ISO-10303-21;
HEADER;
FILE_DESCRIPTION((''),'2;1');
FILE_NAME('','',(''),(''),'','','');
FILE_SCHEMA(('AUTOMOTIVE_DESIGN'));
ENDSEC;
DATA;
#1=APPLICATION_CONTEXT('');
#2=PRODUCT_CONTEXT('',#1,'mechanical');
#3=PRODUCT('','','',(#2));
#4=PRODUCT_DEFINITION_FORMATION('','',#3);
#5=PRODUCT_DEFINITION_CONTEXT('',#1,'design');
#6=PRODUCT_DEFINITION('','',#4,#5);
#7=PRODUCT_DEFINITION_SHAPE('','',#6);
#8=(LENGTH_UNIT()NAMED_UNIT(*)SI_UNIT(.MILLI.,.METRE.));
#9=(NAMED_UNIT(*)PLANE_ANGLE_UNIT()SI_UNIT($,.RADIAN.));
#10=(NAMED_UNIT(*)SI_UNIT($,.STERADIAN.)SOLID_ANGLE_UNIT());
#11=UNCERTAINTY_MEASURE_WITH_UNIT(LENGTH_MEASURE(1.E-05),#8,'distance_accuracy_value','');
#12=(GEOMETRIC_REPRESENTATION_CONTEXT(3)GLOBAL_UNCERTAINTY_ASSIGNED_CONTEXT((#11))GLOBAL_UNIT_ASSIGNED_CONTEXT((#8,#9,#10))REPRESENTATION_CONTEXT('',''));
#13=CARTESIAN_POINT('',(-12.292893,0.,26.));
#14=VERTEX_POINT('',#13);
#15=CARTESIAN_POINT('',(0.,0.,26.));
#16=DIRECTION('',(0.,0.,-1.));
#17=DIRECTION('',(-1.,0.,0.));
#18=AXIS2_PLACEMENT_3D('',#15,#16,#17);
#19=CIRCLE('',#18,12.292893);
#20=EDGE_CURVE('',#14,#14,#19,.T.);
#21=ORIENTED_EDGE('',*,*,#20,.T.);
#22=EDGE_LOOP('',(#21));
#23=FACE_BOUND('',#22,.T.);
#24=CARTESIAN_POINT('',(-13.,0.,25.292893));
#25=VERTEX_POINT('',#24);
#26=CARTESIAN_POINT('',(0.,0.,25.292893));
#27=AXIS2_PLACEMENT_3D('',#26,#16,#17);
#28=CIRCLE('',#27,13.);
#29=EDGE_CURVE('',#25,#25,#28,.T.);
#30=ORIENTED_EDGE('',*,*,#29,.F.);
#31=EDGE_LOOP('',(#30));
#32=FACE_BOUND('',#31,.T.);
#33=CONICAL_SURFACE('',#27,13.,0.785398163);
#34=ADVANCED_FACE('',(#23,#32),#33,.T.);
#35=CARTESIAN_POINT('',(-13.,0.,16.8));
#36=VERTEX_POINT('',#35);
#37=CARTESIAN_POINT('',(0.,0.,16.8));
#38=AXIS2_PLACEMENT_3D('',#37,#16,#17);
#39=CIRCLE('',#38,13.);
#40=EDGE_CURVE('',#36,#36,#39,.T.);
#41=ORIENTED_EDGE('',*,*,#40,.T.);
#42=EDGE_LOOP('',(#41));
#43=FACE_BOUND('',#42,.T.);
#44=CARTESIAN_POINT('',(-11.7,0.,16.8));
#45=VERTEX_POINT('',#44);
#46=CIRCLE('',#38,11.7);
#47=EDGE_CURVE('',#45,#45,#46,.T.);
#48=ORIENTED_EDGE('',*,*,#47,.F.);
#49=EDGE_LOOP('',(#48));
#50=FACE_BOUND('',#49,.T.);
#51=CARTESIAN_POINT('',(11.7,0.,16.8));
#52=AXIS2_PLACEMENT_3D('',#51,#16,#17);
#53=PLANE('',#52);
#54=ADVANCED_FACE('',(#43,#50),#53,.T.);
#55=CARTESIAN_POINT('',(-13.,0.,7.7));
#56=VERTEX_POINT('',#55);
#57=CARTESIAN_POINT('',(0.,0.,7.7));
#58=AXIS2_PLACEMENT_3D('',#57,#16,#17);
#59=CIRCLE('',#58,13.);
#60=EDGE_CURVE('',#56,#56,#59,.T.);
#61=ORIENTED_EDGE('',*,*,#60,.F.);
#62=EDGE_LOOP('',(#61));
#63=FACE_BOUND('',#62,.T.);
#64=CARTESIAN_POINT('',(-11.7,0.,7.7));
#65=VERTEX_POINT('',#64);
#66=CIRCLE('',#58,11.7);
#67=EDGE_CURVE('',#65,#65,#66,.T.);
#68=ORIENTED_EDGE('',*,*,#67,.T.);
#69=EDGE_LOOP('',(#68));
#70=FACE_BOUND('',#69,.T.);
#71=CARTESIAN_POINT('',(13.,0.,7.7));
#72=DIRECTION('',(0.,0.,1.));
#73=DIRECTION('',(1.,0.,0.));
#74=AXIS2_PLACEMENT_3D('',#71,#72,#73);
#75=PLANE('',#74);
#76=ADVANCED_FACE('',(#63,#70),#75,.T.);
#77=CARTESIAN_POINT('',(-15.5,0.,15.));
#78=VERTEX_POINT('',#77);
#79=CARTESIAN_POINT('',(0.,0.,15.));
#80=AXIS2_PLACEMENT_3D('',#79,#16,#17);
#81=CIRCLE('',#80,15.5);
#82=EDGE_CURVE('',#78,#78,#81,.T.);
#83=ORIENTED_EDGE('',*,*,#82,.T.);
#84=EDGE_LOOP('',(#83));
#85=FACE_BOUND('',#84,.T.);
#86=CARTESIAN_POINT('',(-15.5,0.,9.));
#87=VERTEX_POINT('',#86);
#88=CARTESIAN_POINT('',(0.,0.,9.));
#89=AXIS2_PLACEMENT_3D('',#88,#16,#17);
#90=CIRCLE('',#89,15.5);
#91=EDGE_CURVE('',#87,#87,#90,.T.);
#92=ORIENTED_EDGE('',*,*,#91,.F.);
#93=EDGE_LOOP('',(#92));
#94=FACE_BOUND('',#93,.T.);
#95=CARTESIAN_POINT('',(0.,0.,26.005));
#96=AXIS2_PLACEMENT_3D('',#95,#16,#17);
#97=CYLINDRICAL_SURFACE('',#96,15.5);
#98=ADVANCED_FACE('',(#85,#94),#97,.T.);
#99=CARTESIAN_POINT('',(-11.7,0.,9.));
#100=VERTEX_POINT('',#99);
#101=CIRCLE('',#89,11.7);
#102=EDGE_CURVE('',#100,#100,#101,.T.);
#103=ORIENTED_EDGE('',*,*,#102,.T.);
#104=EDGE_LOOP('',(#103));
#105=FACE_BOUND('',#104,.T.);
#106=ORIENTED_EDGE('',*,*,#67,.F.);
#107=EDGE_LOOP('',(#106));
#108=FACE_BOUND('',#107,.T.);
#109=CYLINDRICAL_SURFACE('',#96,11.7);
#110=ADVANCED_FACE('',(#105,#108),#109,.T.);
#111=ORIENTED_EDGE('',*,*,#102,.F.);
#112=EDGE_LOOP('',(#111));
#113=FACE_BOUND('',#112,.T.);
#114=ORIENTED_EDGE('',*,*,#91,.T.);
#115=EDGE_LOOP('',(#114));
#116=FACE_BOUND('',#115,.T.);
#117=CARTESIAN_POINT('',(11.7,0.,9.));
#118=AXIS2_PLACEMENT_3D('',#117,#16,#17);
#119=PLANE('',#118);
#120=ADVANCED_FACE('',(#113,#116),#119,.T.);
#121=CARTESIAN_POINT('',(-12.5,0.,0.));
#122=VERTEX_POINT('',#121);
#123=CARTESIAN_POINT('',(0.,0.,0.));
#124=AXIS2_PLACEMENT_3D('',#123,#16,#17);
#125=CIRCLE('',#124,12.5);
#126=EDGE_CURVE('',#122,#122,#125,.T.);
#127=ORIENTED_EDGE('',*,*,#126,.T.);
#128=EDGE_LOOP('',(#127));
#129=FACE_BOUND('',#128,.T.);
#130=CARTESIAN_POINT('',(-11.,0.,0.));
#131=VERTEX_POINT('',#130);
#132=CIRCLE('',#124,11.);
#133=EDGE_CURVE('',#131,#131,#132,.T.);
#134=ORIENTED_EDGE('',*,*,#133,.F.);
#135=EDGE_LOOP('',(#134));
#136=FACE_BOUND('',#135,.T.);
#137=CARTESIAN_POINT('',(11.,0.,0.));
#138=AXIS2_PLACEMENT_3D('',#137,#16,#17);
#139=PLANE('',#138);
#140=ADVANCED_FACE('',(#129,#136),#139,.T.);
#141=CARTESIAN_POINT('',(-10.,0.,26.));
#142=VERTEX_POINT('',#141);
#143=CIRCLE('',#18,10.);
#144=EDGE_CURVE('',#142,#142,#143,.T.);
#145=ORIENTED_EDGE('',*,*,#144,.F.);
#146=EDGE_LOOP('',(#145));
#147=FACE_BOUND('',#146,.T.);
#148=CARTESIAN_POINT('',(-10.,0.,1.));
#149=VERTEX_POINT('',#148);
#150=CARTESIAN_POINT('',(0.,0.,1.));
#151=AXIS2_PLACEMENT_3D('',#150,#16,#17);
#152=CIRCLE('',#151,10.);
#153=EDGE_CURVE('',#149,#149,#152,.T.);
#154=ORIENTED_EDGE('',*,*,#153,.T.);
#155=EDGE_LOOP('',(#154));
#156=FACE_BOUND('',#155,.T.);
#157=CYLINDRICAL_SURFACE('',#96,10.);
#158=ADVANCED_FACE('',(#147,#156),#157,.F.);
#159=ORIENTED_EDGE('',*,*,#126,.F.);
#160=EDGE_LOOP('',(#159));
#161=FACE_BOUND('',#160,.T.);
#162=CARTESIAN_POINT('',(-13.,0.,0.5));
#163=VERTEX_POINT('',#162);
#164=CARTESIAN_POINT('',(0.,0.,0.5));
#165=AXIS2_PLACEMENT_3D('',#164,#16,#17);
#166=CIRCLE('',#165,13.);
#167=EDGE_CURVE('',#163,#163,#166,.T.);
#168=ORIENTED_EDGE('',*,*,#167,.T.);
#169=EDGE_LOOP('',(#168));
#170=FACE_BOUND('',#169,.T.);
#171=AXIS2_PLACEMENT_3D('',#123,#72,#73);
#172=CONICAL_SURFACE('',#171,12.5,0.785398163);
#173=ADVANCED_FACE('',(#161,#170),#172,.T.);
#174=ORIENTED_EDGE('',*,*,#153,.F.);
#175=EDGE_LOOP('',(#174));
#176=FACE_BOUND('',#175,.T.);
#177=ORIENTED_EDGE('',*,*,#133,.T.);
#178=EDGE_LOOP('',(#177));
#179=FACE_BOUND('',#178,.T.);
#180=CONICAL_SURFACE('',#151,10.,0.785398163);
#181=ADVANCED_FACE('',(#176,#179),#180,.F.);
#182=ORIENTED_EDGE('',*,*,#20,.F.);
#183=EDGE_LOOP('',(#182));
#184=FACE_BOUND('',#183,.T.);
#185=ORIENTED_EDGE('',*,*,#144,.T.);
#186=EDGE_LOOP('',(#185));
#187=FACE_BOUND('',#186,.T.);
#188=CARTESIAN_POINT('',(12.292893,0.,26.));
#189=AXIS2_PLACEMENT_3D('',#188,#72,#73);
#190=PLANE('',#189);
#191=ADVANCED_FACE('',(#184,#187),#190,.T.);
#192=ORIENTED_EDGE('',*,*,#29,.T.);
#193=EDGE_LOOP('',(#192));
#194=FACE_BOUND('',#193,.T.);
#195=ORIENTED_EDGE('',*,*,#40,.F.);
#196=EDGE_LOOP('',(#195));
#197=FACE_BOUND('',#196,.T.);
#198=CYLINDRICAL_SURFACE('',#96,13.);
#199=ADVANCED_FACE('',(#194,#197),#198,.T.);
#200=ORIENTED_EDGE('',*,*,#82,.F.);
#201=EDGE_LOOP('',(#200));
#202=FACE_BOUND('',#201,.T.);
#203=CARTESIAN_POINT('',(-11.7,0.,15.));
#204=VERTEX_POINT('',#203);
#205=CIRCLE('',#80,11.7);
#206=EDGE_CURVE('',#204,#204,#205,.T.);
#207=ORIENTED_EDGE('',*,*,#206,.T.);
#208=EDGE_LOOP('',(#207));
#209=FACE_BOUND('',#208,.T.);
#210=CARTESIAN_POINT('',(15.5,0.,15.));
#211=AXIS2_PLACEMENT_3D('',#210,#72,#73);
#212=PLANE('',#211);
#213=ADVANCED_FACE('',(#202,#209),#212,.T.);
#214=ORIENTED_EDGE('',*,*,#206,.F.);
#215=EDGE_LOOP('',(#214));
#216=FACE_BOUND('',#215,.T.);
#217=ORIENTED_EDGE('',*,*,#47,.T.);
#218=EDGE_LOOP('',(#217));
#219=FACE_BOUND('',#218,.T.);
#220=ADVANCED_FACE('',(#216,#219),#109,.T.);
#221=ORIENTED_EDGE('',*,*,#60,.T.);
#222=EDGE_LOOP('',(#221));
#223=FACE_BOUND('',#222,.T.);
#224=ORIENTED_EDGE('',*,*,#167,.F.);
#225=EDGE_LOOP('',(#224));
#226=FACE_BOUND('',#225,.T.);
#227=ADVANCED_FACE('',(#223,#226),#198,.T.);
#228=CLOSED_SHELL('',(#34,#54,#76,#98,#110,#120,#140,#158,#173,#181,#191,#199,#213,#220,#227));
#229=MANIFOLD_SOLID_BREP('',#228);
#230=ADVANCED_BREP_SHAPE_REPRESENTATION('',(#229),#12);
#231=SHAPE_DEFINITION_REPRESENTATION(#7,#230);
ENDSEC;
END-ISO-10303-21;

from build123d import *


with BuildPart() as part:
    # Эскиз1 → Повернуть1 (revolve)
    with BuildSketch(Plane.XZ, mode=Mode.PRIVATE) as revolve_1_sk:
        Polygon((11.7, 16.8), (13, 16.8), (13, 25.292893219), (12.292893219, 26), (10, 26), (10, 1), (11, 0), (12.5, 0), (13, 0.5), (13, 7.7), (11.7, 7.7), (11.7, 9), (15.5, 9), (15.5, 15), (11.7, 15), align=None)
    revolve(revolve_1_sk.sketch.rotate(Axis((0, 0, 26.005), (0, 0, -1)), 180), axis=Axis((0, 0, 26.005), (0, 0, -1)))


solid = part.part
